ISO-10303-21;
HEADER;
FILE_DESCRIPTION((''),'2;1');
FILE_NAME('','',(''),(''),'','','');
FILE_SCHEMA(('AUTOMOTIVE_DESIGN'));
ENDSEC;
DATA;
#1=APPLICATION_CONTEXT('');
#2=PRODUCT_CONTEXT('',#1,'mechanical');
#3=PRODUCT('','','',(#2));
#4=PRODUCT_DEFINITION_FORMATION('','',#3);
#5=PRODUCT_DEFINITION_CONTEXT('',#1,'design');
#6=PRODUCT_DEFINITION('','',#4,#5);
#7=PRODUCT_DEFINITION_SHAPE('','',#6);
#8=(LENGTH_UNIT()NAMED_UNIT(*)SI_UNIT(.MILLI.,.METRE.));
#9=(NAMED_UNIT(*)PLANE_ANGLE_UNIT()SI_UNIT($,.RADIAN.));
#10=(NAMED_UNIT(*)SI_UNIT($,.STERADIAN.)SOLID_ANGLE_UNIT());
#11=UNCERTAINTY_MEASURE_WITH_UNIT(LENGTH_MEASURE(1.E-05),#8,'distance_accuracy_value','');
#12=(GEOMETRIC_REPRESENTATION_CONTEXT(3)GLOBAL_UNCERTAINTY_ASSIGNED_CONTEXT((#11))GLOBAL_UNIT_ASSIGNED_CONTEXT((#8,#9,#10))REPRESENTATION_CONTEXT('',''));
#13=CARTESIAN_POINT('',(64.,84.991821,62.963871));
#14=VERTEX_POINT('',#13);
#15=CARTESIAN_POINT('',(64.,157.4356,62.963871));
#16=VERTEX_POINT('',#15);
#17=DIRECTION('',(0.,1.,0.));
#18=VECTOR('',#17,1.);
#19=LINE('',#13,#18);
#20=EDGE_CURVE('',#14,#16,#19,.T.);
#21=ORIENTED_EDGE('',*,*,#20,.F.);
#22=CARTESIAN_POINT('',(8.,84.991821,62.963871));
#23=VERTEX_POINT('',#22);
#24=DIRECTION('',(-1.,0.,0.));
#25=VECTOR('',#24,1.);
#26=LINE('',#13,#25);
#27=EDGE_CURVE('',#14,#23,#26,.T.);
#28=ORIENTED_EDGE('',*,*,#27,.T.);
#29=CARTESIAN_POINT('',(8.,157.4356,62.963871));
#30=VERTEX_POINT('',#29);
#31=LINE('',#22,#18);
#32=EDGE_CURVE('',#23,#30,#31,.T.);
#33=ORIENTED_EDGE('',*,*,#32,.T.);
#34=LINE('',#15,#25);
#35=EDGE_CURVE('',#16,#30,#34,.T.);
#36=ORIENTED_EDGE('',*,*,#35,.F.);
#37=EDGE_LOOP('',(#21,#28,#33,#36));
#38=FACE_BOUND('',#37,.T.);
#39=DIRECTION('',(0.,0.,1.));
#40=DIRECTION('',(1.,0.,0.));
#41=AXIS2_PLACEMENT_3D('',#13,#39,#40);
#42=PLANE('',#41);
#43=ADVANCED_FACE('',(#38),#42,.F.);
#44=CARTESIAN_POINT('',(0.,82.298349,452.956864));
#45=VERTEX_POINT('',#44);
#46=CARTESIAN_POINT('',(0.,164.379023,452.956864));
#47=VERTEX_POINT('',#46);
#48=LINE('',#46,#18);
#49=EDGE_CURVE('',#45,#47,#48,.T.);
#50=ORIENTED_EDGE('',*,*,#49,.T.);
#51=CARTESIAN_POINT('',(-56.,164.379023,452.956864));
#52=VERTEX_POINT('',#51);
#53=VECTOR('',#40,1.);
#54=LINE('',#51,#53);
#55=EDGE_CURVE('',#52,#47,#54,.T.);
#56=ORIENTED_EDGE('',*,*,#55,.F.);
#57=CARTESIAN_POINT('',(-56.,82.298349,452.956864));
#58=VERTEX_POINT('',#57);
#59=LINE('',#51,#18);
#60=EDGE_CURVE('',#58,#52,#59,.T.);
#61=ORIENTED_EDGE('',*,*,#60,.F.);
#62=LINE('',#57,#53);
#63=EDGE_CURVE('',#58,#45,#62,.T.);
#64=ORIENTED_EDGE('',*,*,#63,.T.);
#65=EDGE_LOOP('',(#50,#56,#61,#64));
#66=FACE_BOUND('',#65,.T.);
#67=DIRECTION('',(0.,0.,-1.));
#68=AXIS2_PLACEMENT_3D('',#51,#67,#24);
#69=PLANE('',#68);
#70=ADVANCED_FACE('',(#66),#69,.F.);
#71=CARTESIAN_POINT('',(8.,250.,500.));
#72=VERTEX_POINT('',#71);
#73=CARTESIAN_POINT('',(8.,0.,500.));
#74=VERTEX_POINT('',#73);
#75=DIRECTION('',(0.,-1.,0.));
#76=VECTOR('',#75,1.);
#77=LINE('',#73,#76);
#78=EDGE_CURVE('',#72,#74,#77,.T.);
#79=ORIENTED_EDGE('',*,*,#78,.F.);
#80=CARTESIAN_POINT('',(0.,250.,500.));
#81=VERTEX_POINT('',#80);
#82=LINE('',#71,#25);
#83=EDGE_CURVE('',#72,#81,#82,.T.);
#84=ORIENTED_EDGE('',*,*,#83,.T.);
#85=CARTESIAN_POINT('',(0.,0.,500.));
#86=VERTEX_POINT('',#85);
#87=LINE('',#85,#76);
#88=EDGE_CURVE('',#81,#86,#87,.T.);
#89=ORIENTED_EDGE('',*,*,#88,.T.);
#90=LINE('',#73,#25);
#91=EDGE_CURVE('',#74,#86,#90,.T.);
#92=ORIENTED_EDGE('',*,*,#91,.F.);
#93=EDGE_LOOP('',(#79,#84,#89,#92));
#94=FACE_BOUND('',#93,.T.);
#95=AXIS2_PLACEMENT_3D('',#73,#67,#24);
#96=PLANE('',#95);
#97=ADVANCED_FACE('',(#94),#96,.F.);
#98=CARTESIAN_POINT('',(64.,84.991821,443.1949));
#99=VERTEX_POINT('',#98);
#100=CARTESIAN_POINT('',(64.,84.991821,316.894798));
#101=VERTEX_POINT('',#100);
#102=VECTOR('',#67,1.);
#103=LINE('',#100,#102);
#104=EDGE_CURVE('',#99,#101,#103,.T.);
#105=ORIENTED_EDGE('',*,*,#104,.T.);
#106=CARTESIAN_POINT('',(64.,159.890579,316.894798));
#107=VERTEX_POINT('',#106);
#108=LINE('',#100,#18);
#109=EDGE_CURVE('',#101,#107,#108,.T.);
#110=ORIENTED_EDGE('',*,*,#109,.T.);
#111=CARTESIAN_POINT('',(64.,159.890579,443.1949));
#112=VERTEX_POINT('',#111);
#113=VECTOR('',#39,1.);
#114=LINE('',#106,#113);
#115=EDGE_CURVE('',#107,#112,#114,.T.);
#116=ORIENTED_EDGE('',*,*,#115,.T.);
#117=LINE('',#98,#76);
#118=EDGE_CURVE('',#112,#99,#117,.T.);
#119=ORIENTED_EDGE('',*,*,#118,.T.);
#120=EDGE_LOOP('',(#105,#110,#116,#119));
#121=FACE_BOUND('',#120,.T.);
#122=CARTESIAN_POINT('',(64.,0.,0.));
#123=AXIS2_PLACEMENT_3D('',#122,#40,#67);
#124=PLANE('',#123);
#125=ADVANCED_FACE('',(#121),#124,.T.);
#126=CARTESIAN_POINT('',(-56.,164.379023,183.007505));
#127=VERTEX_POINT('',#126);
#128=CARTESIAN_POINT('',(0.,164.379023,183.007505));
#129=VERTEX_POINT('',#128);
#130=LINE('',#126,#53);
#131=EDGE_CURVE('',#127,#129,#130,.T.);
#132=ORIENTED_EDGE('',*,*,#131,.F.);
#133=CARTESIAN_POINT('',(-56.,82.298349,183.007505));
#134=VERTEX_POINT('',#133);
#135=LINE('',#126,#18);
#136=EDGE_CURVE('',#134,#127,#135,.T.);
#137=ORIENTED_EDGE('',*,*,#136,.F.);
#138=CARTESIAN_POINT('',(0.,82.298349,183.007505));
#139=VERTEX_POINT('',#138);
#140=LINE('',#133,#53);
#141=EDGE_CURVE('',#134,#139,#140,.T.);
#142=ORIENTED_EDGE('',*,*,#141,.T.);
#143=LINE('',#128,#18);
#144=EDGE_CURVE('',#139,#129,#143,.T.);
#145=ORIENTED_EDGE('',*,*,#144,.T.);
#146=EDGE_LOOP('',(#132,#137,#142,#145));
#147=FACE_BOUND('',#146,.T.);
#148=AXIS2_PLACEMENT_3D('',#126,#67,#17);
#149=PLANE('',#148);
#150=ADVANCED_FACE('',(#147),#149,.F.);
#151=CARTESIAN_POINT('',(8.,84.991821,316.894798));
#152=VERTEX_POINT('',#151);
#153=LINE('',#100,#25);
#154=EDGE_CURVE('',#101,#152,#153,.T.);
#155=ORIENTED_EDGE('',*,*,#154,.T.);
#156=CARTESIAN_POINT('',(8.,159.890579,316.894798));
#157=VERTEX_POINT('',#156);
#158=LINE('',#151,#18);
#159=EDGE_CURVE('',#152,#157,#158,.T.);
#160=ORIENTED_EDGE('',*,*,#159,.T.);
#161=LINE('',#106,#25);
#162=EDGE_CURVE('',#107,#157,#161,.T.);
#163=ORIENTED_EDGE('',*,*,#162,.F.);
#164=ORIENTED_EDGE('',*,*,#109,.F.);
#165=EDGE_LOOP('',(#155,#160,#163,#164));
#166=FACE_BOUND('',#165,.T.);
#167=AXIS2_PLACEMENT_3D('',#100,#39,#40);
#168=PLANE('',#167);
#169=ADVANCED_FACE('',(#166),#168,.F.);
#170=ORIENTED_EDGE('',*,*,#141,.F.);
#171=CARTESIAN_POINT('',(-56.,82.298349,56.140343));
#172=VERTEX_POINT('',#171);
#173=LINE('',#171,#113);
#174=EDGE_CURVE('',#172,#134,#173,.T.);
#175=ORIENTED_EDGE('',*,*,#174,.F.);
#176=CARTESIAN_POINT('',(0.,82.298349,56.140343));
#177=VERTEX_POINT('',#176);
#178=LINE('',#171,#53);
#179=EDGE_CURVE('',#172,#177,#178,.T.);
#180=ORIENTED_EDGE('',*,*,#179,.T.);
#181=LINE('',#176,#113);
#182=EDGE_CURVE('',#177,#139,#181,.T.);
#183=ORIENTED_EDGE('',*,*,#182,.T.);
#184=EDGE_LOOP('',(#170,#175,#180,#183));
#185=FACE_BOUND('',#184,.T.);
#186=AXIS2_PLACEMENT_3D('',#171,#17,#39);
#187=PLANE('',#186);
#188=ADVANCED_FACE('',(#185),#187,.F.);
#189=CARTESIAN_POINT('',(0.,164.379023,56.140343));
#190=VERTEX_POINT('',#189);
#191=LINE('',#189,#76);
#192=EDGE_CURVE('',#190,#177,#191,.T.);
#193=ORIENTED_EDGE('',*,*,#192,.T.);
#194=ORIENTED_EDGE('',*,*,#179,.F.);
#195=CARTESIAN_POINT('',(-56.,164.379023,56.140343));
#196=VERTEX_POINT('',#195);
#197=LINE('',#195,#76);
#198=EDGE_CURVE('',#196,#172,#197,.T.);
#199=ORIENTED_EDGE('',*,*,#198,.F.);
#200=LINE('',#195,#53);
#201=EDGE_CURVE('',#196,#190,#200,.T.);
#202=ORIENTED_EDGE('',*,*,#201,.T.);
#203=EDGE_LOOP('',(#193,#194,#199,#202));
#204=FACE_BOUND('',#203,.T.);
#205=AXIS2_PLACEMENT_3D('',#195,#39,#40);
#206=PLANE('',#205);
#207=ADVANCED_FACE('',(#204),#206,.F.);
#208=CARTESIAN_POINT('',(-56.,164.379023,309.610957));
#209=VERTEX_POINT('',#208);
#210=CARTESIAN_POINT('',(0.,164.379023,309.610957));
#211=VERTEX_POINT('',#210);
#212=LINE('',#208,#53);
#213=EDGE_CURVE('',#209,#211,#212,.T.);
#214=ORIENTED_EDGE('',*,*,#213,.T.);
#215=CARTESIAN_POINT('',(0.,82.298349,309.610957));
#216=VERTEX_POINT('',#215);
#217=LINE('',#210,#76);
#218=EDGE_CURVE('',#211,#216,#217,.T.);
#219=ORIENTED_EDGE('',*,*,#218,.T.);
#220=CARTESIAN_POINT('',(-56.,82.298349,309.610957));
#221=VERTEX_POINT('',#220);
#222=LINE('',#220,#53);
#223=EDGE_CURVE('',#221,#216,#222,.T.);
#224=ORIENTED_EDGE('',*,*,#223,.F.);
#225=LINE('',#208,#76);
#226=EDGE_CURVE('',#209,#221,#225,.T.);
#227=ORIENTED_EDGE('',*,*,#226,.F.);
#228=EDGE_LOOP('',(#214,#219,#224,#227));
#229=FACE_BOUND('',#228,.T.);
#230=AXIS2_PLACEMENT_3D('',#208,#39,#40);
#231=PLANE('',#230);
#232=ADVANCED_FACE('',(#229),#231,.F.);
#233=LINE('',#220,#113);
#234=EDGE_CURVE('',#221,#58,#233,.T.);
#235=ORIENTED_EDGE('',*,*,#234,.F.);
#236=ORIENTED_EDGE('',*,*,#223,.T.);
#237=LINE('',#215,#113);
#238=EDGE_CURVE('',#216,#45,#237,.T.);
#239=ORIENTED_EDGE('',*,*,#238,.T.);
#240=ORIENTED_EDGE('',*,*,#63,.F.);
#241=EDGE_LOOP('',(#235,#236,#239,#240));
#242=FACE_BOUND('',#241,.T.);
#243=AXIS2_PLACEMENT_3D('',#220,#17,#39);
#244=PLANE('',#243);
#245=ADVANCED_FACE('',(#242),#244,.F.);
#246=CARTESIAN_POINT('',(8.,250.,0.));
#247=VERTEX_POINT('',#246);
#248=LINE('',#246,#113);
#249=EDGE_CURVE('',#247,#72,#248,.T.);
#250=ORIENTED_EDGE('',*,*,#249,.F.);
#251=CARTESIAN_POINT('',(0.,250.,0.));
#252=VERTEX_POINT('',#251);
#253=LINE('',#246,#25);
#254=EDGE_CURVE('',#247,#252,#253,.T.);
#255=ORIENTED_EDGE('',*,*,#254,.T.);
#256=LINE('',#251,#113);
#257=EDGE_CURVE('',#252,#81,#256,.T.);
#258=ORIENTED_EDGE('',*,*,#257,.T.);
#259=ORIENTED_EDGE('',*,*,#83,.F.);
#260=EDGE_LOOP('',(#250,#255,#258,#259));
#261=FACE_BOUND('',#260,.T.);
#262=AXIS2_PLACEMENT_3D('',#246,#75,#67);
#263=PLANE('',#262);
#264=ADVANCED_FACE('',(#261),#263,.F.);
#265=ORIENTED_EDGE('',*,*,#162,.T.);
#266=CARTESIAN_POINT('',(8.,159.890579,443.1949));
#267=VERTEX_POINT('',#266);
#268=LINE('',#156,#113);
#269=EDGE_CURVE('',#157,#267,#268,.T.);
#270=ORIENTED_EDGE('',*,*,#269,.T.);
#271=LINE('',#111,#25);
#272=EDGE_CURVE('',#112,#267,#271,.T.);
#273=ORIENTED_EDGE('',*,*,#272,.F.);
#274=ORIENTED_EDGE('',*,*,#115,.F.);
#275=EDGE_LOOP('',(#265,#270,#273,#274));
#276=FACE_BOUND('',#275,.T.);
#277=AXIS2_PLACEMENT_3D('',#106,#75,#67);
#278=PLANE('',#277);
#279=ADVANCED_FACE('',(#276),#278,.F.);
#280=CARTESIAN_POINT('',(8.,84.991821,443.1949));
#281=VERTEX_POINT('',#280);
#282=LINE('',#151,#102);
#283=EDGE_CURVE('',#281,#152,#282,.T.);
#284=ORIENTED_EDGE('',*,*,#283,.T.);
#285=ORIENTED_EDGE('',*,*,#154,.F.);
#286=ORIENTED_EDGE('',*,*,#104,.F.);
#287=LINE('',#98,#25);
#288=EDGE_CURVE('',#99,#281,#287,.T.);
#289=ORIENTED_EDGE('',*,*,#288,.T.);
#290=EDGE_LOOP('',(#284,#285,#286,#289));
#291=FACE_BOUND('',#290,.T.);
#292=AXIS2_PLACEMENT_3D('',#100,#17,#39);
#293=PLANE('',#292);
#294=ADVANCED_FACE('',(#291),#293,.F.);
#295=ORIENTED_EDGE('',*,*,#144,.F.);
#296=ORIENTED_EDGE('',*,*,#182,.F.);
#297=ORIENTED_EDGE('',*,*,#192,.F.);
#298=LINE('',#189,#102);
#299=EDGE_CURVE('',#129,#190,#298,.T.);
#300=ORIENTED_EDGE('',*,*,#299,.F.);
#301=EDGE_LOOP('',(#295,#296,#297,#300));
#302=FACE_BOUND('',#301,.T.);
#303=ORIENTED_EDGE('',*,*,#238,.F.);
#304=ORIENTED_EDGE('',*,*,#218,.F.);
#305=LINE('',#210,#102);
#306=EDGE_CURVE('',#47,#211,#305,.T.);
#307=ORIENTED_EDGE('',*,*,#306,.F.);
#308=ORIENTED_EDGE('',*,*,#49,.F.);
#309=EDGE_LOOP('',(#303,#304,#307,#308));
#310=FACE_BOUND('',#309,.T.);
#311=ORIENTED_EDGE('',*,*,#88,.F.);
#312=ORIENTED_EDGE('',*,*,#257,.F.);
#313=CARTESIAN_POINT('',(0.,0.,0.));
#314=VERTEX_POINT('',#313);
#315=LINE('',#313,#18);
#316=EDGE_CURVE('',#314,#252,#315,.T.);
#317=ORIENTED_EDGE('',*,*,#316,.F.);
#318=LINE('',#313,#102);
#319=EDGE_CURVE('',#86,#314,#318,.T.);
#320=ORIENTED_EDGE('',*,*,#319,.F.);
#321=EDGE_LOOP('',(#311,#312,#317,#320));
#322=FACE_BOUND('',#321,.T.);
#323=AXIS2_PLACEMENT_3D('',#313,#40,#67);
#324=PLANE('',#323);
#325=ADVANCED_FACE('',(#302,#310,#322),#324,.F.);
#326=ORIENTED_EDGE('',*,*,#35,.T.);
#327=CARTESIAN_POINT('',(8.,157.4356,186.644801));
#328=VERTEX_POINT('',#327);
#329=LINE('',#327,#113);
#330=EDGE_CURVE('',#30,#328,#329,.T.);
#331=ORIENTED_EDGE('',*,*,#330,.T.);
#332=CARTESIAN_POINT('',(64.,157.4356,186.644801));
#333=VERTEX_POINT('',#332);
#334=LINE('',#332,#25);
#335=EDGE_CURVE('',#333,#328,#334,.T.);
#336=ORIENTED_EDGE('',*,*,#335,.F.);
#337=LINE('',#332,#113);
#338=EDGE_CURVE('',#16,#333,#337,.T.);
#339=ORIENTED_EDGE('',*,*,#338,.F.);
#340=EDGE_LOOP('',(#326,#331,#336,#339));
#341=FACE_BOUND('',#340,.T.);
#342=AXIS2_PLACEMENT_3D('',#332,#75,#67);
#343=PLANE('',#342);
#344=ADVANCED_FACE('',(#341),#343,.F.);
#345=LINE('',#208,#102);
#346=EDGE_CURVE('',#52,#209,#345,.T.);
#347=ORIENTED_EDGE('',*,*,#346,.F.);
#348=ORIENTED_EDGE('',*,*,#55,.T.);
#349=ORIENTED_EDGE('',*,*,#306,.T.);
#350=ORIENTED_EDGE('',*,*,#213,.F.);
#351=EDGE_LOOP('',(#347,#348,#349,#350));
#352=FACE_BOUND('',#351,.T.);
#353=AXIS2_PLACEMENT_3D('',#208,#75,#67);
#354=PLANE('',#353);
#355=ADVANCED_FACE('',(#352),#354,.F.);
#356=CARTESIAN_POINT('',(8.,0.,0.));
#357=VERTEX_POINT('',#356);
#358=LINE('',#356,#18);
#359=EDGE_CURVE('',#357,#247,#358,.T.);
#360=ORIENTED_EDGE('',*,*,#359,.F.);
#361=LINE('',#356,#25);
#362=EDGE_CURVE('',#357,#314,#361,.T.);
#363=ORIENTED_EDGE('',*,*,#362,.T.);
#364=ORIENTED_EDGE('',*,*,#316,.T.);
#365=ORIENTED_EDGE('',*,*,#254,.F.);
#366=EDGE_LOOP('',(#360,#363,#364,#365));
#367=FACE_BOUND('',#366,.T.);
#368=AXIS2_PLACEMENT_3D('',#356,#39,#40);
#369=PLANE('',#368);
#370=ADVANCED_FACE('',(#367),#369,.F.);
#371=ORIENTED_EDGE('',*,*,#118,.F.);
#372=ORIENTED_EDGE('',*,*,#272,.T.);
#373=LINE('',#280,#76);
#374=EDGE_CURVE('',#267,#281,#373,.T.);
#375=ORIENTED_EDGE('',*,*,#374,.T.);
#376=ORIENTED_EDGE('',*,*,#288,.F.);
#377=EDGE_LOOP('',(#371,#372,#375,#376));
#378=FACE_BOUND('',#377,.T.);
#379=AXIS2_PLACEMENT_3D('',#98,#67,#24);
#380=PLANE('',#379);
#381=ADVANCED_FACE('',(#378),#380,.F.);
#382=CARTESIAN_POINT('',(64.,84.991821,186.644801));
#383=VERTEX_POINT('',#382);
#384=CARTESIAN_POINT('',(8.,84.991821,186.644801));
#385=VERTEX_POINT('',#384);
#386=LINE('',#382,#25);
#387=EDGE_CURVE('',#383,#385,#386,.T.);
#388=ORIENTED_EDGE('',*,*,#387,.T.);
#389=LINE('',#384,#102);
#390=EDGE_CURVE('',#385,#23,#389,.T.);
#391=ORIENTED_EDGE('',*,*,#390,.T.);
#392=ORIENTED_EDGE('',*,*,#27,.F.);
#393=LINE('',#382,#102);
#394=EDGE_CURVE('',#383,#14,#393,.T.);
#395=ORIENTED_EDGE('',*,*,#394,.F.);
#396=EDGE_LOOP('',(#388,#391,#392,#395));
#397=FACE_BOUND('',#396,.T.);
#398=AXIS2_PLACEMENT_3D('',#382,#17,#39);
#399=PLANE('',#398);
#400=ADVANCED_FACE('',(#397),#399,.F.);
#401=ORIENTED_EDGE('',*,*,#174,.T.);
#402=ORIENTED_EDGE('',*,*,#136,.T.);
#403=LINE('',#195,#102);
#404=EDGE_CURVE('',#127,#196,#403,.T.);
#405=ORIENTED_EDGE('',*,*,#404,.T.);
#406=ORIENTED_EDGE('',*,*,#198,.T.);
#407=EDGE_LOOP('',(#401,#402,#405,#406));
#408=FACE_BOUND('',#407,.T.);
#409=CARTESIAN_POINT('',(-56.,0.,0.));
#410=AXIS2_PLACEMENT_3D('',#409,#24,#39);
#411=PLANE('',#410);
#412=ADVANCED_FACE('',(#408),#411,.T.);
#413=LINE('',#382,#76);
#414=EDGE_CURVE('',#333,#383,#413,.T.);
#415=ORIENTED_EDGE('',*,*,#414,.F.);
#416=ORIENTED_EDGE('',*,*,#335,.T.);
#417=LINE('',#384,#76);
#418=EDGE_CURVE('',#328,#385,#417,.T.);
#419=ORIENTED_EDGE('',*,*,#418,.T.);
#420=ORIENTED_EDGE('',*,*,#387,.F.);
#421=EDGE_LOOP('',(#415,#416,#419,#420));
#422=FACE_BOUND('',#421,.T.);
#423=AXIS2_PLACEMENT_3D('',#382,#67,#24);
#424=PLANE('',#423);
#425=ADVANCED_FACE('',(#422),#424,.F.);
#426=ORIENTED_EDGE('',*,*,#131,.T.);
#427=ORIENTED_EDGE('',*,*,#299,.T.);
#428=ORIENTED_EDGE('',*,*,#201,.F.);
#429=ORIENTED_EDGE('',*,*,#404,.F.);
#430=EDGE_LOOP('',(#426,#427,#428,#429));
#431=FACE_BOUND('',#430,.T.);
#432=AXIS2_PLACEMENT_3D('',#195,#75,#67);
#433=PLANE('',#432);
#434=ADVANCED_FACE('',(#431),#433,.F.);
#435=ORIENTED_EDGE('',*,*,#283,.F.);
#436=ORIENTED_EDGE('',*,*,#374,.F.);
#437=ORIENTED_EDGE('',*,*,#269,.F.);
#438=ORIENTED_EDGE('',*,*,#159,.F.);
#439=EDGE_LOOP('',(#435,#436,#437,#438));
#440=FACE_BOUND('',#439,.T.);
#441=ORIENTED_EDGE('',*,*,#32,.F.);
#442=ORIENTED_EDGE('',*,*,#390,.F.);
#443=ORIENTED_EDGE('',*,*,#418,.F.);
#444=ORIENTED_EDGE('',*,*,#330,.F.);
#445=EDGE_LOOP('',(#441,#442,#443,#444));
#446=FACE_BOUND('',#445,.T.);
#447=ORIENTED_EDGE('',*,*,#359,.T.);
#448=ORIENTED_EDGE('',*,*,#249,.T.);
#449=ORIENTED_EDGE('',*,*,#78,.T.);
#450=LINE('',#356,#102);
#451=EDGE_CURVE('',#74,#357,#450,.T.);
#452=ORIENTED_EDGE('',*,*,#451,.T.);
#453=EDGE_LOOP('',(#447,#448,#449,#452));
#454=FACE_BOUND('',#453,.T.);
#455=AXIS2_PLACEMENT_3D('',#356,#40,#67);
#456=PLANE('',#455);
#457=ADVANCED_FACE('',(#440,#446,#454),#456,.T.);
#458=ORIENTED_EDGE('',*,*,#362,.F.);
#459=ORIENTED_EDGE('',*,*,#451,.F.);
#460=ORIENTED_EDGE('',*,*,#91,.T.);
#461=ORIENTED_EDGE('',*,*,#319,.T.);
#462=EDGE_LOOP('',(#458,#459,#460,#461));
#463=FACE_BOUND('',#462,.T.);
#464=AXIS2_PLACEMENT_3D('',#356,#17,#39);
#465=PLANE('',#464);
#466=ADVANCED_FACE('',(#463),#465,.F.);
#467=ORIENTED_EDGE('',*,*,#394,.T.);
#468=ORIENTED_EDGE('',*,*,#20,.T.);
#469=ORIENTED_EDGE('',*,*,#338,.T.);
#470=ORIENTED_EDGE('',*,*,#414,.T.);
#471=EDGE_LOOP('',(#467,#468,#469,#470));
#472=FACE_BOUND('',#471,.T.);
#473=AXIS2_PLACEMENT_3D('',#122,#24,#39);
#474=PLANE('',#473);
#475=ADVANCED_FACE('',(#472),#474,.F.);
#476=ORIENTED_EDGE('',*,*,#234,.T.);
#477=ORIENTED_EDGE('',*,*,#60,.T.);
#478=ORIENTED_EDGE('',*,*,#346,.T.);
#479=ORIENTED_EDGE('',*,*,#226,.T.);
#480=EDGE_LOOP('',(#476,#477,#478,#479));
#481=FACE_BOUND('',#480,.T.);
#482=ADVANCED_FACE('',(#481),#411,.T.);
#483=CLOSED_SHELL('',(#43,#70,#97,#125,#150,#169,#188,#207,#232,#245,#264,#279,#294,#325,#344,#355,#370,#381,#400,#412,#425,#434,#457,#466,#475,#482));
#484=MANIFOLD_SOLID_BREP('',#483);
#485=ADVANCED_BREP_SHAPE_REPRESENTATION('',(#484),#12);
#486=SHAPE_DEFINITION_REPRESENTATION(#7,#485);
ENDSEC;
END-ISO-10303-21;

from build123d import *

# Parameters (mm, degrees)
CROQUIS1_W              = 500
CROQUIS1_H              = 250
SALIENTE_EXTRUIR1_DEPTH = 8
CROQUIS2_W              = 126.86716197
CROQUIS2_H              = 82.080673108
CROQUIS2_W_2            = 143.345907008
SALIENTE_EXTRUIR2_DEPTH = 56
CROQUIS4_W              = 126.86716197
CROQUIS4_H              = 82.080673108
SALIENTE_EXTRUIR4_DEPTH = 56
CROQUIS6_W              = 126.300102785
CROQUIS6_H              = 74.898758159
SALIENTE_EXTRUIR5_DEPTH = 56
CROQUIS7_W              = 123.680930687
CROQUIS7_H              = 72.443779117
SALIENTE_EXTRUIR6_DEPTH = 56


with BuildPart() as part:
    # Croquis1 → Saliente-Extruir1 (new body)
    with BuildSketch(Plane(origin=(0, 0, 0), x_dir=(0, 0, -1), z_dir=(1, 0, 0))):
        with Locations((-250, 125)):
            Rectangle(CROQUIS1_W, CROQUIS1_H)
    extrude(amount=SALIENTE_EXTRUIR1_DEPTH)

    # Croquis2 → Saliente-Extruir2 (add)
    with BuildSketch(Plane.ZY):
        with Locations((119.573923975, 123.338686018)):
            Rectangle(CROQUIS2_W, CROQUIS2_H)
        with Locations((381.283910617, 123.338686018)):
            Rectangle(CROQUIS2_W_2, CROQUIS2_H)
    extrude(amount=SALIENTE_EXTRUIR2_DEPTH)

    # Croquis4 → Saliente-Extruir4 (add)
    with BuildSketch(Plane.ZY):
        with Locations((119.573923975, 123.338686018)):
            Rectangle(CROQUIS4_W, CROQUIS4_H)
    extrude(amount=SALIENTE_EXTRUIR4_DEPTH)

    # Croquis6 → Saliente-Extruir5 (add)
    with BuildSketch(Plane(origin=(8, 0, 0), x_dir=(0, 0, -1), z_dir=(1, 0, 0))):
        with Locations((-380.044849003, 122.441200165)):
            Rectangle(CROQUIS6_W, CROQUIS6_H)
    extrude(amount=SALIENTE_EXTRUIR5_DEPTH)

    # Croquis7 → Saliente-Extruir6 (add)
    with BuildSketch(Plane(origin=(8, 0, 0), x_dir=(0, 0, -1), z_dir=(1, 0, 0))):
        with Locations((-124.804336035, 121.213710644)):
            Rectangle(CROQUIS7_W, CROQUIS7_H)
    extrude(amount=SALIENTE_EXTRUIR6_DEPTH)


solid = part.part
